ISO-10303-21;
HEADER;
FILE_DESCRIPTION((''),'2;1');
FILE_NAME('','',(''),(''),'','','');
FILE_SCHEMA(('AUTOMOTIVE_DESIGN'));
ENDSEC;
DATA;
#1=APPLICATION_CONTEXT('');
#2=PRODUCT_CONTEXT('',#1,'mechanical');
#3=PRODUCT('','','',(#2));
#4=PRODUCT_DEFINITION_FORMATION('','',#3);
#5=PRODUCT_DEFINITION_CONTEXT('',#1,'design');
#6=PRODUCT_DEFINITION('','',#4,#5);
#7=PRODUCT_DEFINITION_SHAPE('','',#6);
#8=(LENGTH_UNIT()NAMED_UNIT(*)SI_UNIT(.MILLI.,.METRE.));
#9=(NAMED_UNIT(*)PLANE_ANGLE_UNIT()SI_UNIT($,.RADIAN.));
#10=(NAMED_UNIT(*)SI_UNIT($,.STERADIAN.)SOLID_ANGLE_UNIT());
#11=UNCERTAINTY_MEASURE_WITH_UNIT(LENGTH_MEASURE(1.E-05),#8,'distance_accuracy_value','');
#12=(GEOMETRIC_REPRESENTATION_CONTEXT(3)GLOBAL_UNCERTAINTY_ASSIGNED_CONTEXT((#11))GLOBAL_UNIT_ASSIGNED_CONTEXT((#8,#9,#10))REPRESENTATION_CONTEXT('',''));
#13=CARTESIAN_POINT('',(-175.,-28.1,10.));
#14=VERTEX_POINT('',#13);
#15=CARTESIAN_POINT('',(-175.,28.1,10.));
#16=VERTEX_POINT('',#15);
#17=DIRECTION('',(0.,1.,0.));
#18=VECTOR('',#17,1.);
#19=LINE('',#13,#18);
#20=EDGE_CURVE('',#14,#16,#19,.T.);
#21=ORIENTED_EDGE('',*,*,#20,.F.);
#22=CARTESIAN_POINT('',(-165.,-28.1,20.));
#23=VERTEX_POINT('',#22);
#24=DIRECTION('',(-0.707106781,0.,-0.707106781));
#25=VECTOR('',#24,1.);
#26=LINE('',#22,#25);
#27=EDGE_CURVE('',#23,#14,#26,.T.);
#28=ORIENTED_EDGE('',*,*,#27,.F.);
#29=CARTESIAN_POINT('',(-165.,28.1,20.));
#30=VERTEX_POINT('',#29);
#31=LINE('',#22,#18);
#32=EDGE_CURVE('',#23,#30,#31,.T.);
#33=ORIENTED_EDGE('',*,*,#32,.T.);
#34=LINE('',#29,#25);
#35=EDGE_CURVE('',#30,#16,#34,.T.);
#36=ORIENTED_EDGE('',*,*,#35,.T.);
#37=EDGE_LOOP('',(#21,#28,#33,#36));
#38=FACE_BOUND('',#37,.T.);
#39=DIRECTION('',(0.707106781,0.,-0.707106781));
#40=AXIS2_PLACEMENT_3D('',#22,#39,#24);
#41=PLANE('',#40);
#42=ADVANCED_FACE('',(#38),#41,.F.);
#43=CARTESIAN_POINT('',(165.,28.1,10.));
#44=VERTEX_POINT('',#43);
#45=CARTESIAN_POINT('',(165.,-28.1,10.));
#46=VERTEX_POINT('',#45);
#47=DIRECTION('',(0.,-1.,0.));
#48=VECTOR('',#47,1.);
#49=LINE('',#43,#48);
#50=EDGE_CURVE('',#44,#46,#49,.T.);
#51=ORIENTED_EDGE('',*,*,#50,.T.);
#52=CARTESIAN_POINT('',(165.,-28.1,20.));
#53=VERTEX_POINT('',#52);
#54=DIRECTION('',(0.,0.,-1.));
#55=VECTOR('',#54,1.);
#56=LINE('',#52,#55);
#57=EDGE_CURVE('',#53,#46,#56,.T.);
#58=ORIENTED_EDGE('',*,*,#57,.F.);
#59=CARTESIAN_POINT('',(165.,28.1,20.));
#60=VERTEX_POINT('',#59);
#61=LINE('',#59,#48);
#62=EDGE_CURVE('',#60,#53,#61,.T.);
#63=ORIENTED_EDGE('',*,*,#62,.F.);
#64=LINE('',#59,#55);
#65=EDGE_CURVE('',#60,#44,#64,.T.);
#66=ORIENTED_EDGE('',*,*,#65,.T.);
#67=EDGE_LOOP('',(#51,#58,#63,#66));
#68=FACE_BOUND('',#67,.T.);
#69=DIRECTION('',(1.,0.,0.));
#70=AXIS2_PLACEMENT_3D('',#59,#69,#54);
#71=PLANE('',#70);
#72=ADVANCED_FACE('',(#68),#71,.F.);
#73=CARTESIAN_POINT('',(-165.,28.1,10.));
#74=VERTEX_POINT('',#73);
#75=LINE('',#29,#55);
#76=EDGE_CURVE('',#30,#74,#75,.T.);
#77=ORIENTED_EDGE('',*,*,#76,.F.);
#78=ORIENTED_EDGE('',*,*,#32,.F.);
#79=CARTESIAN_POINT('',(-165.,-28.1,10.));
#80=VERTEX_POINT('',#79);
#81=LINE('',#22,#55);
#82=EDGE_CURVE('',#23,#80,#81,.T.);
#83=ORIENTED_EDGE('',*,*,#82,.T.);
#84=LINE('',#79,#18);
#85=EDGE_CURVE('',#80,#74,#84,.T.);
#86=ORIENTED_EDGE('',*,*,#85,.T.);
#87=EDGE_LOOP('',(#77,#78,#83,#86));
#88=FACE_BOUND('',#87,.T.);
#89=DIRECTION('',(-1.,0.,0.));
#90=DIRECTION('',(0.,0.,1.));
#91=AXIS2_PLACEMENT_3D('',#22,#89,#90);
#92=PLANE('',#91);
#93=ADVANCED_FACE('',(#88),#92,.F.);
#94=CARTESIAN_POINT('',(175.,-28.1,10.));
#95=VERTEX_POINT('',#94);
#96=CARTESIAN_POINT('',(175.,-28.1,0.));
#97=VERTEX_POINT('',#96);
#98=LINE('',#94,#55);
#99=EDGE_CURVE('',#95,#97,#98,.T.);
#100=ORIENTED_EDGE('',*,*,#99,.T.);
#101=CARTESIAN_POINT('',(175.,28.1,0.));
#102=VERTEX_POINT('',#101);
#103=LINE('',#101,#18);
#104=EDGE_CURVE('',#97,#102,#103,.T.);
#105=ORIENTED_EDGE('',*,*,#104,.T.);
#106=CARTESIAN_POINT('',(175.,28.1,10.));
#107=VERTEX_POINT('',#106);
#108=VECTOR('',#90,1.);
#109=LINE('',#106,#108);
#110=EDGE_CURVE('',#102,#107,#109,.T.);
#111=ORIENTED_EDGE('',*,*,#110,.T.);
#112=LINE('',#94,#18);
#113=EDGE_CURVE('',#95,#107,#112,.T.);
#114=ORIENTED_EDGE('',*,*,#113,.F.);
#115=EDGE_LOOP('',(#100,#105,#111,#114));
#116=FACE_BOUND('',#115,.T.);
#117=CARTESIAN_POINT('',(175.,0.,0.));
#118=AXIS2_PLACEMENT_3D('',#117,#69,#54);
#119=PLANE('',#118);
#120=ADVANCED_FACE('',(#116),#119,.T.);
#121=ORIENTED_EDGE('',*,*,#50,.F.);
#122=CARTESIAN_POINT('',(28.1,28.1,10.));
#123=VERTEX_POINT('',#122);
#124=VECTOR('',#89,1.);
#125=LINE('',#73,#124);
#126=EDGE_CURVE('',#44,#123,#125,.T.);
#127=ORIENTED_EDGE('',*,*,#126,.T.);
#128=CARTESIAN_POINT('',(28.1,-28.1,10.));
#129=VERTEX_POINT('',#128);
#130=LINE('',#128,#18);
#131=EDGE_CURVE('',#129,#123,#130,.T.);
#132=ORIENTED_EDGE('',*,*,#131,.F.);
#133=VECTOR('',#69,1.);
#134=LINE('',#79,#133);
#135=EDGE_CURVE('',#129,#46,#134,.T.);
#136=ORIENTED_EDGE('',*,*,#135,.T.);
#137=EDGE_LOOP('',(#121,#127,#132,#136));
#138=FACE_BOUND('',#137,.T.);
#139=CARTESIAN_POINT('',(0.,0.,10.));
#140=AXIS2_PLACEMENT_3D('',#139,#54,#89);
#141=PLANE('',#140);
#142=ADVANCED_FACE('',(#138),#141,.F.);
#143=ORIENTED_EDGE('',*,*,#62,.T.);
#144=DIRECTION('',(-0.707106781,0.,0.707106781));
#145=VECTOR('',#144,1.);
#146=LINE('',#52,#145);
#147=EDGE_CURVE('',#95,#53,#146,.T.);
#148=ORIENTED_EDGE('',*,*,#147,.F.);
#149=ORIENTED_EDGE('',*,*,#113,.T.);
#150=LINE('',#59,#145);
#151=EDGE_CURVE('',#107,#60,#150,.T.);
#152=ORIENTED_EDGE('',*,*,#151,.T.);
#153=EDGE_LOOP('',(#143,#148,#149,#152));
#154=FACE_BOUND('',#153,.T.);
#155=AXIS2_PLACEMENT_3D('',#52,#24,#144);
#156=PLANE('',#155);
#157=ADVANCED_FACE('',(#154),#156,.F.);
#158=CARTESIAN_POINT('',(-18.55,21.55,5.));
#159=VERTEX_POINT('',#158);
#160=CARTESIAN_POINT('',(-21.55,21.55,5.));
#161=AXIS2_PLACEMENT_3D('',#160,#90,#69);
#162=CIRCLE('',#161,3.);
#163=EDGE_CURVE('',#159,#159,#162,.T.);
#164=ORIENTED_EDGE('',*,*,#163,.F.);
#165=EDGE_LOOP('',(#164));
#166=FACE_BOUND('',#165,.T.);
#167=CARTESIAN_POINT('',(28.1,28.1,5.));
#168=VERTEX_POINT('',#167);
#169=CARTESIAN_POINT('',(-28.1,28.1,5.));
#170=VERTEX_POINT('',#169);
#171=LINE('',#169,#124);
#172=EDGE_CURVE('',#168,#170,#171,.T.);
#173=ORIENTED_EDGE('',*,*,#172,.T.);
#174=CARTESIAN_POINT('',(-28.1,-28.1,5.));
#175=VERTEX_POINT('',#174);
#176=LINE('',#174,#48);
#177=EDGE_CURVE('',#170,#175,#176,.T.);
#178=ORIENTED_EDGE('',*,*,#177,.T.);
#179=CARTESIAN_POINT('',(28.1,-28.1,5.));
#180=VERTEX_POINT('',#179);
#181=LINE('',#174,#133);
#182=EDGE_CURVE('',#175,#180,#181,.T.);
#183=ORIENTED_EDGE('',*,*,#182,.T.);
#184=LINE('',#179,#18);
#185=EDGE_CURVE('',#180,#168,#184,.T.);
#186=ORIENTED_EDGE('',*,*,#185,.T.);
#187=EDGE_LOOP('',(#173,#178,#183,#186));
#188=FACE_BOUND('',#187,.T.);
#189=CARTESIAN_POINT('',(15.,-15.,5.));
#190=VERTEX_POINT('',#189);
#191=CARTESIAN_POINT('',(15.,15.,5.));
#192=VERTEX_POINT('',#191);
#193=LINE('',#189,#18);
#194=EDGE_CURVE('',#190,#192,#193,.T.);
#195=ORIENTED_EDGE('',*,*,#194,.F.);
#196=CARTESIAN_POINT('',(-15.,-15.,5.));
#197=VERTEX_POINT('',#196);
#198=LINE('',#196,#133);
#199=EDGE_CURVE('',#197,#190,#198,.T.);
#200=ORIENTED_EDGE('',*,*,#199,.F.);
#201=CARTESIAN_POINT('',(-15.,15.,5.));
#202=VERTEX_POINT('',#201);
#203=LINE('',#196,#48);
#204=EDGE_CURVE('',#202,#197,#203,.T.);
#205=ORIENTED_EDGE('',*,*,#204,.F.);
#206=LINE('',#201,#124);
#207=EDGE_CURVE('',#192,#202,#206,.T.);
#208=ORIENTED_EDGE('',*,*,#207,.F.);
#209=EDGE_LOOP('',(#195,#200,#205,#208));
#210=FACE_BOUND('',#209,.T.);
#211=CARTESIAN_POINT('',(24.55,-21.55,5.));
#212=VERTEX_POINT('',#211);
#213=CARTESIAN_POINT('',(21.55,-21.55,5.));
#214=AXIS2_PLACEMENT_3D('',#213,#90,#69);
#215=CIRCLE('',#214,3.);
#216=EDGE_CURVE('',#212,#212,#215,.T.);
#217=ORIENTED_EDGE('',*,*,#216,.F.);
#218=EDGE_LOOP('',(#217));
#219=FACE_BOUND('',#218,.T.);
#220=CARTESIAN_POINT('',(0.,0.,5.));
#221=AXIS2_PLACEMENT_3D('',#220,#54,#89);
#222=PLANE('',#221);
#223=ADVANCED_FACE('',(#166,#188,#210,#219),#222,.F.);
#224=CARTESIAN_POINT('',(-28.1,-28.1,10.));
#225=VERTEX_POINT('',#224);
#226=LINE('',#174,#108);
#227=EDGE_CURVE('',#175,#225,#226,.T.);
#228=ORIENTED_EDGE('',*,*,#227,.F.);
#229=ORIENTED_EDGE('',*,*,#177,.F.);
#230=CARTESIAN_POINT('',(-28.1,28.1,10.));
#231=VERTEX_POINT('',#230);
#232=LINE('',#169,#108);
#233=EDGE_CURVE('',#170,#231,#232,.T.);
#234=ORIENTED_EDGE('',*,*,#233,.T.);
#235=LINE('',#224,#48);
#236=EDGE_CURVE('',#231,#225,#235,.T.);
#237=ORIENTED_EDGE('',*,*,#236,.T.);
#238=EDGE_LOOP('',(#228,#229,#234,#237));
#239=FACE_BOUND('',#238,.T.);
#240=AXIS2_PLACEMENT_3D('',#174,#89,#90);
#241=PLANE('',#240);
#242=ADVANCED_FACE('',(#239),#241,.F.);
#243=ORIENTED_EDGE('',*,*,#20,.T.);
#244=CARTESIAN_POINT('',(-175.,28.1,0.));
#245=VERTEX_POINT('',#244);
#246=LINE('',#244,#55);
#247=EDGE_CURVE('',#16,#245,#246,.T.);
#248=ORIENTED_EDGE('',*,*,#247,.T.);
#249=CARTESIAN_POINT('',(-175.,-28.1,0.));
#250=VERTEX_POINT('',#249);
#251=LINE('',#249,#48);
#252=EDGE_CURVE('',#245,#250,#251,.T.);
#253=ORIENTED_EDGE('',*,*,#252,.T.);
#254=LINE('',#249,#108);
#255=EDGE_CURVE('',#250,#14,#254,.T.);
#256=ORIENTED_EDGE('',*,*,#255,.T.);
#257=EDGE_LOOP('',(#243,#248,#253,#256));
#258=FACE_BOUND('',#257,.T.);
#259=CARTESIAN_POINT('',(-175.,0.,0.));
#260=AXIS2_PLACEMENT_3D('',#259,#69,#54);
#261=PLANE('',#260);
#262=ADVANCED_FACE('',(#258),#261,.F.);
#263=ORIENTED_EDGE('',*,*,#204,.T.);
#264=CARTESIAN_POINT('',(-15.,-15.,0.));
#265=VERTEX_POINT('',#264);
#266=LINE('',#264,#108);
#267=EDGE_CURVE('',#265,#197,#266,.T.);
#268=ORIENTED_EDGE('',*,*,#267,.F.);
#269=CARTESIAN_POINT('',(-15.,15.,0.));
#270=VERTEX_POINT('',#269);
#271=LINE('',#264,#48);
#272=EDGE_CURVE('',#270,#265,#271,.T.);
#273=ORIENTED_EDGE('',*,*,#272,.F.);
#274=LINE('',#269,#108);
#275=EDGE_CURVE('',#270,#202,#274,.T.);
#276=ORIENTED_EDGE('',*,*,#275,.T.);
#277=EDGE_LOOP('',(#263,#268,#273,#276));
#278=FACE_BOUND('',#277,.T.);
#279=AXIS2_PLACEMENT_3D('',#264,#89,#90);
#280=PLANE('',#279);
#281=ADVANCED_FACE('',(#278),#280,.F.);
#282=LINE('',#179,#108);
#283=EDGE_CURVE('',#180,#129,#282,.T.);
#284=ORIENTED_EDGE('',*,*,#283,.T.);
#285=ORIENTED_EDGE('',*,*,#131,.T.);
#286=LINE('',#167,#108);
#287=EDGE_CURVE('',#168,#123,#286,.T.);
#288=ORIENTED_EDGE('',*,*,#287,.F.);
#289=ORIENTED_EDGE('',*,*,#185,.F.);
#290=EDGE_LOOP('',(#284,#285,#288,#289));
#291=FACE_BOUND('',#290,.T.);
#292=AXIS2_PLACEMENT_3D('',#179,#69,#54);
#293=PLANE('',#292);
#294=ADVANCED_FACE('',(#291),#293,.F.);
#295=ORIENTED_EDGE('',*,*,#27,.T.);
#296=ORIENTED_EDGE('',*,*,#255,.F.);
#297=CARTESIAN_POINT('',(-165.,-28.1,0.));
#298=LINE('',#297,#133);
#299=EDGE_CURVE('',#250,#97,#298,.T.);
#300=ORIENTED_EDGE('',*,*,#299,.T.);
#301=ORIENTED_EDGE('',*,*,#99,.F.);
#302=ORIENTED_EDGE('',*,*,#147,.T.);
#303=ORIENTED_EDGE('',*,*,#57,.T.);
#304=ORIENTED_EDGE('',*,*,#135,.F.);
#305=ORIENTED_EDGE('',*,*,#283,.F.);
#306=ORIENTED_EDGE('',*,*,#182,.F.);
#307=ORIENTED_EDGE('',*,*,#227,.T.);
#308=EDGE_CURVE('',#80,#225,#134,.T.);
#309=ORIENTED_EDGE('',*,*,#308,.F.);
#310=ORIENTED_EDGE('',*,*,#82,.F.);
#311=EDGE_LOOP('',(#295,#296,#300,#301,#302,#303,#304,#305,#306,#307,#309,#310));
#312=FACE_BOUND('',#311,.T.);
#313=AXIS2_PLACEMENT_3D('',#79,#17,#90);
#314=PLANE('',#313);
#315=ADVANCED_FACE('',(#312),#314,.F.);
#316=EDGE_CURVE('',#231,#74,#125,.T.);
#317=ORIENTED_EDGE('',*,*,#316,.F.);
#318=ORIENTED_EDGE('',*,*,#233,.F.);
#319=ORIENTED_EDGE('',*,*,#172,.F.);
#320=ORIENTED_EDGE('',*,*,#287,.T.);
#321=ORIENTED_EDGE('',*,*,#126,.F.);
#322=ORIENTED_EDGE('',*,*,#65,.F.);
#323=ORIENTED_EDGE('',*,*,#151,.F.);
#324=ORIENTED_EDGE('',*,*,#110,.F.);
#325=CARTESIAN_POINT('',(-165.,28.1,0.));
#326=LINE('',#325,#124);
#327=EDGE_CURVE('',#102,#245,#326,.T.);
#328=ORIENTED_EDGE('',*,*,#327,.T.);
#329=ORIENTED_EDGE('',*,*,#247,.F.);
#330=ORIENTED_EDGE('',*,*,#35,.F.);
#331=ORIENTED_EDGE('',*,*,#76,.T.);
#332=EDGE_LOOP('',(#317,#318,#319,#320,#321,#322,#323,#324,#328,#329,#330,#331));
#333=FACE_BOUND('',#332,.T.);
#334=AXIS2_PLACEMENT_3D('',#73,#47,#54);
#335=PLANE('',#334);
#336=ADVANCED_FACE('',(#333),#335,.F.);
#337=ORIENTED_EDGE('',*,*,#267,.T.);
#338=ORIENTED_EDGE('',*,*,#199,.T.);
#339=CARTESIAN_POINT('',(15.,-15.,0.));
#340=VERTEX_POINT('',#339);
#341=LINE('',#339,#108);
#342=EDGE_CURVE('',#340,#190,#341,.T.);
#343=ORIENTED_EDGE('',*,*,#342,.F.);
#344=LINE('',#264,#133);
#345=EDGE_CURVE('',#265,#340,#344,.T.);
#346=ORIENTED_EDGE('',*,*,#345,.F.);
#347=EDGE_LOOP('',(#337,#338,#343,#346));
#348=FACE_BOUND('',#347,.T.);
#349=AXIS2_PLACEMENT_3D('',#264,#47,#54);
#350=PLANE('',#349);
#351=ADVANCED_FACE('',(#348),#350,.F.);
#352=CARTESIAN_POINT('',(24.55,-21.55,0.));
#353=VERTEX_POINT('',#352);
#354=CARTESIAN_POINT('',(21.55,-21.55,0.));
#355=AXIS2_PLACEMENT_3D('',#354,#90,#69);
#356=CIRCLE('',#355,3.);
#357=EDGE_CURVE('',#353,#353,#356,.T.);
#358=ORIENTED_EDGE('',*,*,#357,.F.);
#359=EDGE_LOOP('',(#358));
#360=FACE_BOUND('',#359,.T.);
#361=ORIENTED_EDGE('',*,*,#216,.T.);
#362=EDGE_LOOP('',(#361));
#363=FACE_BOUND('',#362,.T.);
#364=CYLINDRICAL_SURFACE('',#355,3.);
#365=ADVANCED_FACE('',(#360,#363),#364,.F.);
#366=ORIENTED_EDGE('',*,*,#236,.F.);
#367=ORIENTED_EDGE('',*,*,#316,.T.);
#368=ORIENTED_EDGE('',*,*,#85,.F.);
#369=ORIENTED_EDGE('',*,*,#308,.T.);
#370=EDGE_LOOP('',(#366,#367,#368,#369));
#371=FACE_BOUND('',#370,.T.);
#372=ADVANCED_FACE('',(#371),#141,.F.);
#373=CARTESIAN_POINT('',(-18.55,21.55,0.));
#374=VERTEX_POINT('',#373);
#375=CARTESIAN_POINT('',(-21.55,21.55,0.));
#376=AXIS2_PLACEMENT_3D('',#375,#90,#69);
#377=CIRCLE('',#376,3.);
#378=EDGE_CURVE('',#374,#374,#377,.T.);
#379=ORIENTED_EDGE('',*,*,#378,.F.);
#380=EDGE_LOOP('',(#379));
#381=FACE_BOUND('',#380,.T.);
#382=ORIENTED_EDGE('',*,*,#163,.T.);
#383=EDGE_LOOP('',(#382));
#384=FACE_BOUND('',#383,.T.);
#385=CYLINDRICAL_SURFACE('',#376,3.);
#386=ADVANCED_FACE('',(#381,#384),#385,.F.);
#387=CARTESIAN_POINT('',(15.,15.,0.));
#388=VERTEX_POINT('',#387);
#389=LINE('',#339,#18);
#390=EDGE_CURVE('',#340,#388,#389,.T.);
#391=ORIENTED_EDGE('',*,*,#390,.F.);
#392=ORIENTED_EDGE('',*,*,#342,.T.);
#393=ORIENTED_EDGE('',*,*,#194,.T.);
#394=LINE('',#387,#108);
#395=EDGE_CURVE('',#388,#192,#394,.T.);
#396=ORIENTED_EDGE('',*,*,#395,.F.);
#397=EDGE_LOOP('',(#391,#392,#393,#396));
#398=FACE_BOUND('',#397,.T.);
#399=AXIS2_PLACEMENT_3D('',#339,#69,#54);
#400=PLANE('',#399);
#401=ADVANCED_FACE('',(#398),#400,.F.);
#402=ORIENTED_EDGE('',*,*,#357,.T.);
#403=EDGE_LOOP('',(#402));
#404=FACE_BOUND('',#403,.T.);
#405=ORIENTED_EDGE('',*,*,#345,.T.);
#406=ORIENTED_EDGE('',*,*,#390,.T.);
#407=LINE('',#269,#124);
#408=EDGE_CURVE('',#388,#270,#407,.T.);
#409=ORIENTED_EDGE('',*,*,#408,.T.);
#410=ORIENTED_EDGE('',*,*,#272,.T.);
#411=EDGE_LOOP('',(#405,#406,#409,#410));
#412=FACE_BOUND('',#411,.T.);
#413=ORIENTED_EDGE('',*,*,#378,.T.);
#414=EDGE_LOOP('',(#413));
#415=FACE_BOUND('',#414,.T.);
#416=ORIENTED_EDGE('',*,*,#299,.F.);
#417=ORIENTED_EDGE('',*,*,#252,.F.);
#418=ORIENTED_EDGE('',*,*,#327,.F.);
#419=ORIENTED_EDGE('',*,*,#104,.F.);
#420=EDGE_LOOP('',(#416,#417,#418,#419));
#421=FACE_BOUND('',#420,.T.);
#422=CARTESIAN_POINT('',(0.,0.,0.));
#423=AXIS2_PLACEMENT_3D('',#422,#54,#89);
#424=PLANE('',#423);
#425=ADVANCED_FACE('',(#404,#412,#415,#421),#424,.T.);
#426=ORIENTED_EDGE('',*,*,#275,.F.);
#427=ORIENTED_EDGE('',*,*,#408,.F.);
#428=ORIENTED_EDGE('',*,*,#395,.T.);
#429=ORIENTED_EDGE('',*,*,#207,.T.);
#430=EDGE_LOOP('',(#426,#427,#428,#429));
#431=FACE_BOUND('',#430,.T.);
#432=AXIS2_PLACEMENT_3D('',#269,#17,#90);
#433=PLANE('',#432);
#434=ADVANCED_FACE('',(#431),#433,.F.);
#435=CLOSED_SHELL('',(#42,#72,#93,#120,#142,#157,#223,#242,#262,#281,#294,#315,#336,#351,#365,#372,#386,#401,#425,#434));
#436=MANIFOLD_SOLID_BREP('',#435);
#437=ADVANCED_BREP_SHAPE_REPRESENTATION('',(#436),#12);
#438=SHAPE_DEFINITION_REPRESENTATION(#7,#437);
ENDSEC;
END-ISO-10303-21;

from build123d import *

# Parameters (mm, degrees)
SKETCH1_W           = 330
SKETCH1_H           = 56.2
BOSS_EXTRUDE1_DEPTH = 10
SKETCH2_W           = 56.2
SKETCH2_H           = 56.2
CUT_EXTRUDE1_DEPTH  = 5
SKETCH3_W           = 10
SKETCH3_H           = 56.2
BOSS_EXTRUDE2_DEPTH = 10
SKETCH4_W           = 10
SKETCH4_H           = 56.2
BOSS_EXTRUDE3_DEPTH = 10
CUT_EXTRUDE2_DEPTH  = 56.2
SKETCH6_W           = 10
SKETCH6_H           = 56.2
BOSS_EXTRUDE4_DEPTH = 10
SKETCH7_W           = 10
SKETCH7_H           = 56.2
BOSS_EXTRUDE5_DEPTH = 10
CUT_EXTRUDE3_DEPTH  = 56.2
SKETCH9_W           = 30
SKETCH9_H           = 30
CUT_EXTRUDE4_DEPTH  = 5
SKETCH10_R          = 3
CUT_EXTRUDE5_DEPTH  = 5


with BuildPart() as part:
    # Sketch1 → Boss-Extrude1 (new body)
    with BuildSketch(Plane.XY):
        Rectangle(SKETCH1_W, SKETCH1_H)
    extrude(amount=BOSS_EXTRUDE1_DEPTH)

    # Sketch2 → Cut-Extrude1 (cut)
    with BuildSketch(Plane.XY.offset(10)):
        Rectangle(SKETCH2_W, SKETCH2_H)
    extrude(amount=-CUT_EXTRUDE1_DEPTH, mode=Mode.SUBTRACT)

    # Sketch3 → Boss-Extrude2 (add)
    with BuildSketch(Plane(origin=(165, 0, 0), x_dir=(0, 0, -1), z_dir=(1, 0, 0))):
        with Locations((-5, 0)):
            Rectangle(SKETCH3_W, SKETCH3_H)
    extrude(amount=BOSS_EXTRUDE2_DEPTH)

    # Sketch4 → Boss-Extrude3 (add)
    with BuildSketch(Plane.XY.offset(10)):
        with Locations((170, 0)):
            Rectangle(SKETCH4_W, SKETCH4_H)
    extrude(amount=BOSS_EXTRUDE3_DEPTH)

    # Sketch5 → Cut-Extrude2 (cut)
    with BuildSketch(Plane(origin=(0, 28.1, 0), x_dir=(1, 0, 0), z_dir=(0, 1, 0))):
        Polygon((165, -20), (175, -10), (175, -20), align=None)
    extrude(amount=-CUT_EXTRUDE2_DEPTH, mode=Mode.SUBTRACT)

    # Sketch6 → Boss-Extrude4 (add)
    with BuildSketch(Plane.ZY.offset(165)):
        with Locations((5, 0)):
            Rectangle(SKETCH6_W, SKETCH6_H)
    extrude(amount=BOSS_EXTRUDE4_DEPTH)

    # Sketch7 → Boss-Extrude5 (add)
    with BuildSketch(Plane.XY.offset(10)):
        with Locations((-170, 0)):
            Rectangle(SKETCH7_W, SKETCH7_H)
    extrude(amount=BOSS_EXTRUDE5_DEPTH)

    # Sketch8 → Cut-Extrude3 (cut)
    with BuildSketch(Plane(origin=(0, 28.1, 0), x_dir=(1, 0, 0), z_dir=(0, 1, 0))):
        Polygon((-165, -20), (-175, -10), (-175, -20), align=None)
    extrude(amount=-CUT_EXTRUDE3_DEPTH, mode=Mode.SUBTRACT)

    # Sketch9 → Cut-Extrude4 (cut)
    with BuildSketch(Plane.XY.offset(5)):
        Rectangle(SKETCH9_W, SKETCH9_H)
    extrude(amount=-CUT_EXTRUDE4_DEPTH, mode=Mode.SUBTRACT)

    # Sketch10 → Cut-Extrude5 (cut)
    with BuildSketch(Plane.XY.offset(5)):
        with Locations((-21.55, 21.55)):
            Circle(SKETCH10_R)
        with Locations((21.55, -21.55)):
            Circle(SKETCH10_R)
    extrude(amount=-CUT_EXTRUDE5_DEPTH, mode=Mode.SUBTRACT)


solid = part.part
